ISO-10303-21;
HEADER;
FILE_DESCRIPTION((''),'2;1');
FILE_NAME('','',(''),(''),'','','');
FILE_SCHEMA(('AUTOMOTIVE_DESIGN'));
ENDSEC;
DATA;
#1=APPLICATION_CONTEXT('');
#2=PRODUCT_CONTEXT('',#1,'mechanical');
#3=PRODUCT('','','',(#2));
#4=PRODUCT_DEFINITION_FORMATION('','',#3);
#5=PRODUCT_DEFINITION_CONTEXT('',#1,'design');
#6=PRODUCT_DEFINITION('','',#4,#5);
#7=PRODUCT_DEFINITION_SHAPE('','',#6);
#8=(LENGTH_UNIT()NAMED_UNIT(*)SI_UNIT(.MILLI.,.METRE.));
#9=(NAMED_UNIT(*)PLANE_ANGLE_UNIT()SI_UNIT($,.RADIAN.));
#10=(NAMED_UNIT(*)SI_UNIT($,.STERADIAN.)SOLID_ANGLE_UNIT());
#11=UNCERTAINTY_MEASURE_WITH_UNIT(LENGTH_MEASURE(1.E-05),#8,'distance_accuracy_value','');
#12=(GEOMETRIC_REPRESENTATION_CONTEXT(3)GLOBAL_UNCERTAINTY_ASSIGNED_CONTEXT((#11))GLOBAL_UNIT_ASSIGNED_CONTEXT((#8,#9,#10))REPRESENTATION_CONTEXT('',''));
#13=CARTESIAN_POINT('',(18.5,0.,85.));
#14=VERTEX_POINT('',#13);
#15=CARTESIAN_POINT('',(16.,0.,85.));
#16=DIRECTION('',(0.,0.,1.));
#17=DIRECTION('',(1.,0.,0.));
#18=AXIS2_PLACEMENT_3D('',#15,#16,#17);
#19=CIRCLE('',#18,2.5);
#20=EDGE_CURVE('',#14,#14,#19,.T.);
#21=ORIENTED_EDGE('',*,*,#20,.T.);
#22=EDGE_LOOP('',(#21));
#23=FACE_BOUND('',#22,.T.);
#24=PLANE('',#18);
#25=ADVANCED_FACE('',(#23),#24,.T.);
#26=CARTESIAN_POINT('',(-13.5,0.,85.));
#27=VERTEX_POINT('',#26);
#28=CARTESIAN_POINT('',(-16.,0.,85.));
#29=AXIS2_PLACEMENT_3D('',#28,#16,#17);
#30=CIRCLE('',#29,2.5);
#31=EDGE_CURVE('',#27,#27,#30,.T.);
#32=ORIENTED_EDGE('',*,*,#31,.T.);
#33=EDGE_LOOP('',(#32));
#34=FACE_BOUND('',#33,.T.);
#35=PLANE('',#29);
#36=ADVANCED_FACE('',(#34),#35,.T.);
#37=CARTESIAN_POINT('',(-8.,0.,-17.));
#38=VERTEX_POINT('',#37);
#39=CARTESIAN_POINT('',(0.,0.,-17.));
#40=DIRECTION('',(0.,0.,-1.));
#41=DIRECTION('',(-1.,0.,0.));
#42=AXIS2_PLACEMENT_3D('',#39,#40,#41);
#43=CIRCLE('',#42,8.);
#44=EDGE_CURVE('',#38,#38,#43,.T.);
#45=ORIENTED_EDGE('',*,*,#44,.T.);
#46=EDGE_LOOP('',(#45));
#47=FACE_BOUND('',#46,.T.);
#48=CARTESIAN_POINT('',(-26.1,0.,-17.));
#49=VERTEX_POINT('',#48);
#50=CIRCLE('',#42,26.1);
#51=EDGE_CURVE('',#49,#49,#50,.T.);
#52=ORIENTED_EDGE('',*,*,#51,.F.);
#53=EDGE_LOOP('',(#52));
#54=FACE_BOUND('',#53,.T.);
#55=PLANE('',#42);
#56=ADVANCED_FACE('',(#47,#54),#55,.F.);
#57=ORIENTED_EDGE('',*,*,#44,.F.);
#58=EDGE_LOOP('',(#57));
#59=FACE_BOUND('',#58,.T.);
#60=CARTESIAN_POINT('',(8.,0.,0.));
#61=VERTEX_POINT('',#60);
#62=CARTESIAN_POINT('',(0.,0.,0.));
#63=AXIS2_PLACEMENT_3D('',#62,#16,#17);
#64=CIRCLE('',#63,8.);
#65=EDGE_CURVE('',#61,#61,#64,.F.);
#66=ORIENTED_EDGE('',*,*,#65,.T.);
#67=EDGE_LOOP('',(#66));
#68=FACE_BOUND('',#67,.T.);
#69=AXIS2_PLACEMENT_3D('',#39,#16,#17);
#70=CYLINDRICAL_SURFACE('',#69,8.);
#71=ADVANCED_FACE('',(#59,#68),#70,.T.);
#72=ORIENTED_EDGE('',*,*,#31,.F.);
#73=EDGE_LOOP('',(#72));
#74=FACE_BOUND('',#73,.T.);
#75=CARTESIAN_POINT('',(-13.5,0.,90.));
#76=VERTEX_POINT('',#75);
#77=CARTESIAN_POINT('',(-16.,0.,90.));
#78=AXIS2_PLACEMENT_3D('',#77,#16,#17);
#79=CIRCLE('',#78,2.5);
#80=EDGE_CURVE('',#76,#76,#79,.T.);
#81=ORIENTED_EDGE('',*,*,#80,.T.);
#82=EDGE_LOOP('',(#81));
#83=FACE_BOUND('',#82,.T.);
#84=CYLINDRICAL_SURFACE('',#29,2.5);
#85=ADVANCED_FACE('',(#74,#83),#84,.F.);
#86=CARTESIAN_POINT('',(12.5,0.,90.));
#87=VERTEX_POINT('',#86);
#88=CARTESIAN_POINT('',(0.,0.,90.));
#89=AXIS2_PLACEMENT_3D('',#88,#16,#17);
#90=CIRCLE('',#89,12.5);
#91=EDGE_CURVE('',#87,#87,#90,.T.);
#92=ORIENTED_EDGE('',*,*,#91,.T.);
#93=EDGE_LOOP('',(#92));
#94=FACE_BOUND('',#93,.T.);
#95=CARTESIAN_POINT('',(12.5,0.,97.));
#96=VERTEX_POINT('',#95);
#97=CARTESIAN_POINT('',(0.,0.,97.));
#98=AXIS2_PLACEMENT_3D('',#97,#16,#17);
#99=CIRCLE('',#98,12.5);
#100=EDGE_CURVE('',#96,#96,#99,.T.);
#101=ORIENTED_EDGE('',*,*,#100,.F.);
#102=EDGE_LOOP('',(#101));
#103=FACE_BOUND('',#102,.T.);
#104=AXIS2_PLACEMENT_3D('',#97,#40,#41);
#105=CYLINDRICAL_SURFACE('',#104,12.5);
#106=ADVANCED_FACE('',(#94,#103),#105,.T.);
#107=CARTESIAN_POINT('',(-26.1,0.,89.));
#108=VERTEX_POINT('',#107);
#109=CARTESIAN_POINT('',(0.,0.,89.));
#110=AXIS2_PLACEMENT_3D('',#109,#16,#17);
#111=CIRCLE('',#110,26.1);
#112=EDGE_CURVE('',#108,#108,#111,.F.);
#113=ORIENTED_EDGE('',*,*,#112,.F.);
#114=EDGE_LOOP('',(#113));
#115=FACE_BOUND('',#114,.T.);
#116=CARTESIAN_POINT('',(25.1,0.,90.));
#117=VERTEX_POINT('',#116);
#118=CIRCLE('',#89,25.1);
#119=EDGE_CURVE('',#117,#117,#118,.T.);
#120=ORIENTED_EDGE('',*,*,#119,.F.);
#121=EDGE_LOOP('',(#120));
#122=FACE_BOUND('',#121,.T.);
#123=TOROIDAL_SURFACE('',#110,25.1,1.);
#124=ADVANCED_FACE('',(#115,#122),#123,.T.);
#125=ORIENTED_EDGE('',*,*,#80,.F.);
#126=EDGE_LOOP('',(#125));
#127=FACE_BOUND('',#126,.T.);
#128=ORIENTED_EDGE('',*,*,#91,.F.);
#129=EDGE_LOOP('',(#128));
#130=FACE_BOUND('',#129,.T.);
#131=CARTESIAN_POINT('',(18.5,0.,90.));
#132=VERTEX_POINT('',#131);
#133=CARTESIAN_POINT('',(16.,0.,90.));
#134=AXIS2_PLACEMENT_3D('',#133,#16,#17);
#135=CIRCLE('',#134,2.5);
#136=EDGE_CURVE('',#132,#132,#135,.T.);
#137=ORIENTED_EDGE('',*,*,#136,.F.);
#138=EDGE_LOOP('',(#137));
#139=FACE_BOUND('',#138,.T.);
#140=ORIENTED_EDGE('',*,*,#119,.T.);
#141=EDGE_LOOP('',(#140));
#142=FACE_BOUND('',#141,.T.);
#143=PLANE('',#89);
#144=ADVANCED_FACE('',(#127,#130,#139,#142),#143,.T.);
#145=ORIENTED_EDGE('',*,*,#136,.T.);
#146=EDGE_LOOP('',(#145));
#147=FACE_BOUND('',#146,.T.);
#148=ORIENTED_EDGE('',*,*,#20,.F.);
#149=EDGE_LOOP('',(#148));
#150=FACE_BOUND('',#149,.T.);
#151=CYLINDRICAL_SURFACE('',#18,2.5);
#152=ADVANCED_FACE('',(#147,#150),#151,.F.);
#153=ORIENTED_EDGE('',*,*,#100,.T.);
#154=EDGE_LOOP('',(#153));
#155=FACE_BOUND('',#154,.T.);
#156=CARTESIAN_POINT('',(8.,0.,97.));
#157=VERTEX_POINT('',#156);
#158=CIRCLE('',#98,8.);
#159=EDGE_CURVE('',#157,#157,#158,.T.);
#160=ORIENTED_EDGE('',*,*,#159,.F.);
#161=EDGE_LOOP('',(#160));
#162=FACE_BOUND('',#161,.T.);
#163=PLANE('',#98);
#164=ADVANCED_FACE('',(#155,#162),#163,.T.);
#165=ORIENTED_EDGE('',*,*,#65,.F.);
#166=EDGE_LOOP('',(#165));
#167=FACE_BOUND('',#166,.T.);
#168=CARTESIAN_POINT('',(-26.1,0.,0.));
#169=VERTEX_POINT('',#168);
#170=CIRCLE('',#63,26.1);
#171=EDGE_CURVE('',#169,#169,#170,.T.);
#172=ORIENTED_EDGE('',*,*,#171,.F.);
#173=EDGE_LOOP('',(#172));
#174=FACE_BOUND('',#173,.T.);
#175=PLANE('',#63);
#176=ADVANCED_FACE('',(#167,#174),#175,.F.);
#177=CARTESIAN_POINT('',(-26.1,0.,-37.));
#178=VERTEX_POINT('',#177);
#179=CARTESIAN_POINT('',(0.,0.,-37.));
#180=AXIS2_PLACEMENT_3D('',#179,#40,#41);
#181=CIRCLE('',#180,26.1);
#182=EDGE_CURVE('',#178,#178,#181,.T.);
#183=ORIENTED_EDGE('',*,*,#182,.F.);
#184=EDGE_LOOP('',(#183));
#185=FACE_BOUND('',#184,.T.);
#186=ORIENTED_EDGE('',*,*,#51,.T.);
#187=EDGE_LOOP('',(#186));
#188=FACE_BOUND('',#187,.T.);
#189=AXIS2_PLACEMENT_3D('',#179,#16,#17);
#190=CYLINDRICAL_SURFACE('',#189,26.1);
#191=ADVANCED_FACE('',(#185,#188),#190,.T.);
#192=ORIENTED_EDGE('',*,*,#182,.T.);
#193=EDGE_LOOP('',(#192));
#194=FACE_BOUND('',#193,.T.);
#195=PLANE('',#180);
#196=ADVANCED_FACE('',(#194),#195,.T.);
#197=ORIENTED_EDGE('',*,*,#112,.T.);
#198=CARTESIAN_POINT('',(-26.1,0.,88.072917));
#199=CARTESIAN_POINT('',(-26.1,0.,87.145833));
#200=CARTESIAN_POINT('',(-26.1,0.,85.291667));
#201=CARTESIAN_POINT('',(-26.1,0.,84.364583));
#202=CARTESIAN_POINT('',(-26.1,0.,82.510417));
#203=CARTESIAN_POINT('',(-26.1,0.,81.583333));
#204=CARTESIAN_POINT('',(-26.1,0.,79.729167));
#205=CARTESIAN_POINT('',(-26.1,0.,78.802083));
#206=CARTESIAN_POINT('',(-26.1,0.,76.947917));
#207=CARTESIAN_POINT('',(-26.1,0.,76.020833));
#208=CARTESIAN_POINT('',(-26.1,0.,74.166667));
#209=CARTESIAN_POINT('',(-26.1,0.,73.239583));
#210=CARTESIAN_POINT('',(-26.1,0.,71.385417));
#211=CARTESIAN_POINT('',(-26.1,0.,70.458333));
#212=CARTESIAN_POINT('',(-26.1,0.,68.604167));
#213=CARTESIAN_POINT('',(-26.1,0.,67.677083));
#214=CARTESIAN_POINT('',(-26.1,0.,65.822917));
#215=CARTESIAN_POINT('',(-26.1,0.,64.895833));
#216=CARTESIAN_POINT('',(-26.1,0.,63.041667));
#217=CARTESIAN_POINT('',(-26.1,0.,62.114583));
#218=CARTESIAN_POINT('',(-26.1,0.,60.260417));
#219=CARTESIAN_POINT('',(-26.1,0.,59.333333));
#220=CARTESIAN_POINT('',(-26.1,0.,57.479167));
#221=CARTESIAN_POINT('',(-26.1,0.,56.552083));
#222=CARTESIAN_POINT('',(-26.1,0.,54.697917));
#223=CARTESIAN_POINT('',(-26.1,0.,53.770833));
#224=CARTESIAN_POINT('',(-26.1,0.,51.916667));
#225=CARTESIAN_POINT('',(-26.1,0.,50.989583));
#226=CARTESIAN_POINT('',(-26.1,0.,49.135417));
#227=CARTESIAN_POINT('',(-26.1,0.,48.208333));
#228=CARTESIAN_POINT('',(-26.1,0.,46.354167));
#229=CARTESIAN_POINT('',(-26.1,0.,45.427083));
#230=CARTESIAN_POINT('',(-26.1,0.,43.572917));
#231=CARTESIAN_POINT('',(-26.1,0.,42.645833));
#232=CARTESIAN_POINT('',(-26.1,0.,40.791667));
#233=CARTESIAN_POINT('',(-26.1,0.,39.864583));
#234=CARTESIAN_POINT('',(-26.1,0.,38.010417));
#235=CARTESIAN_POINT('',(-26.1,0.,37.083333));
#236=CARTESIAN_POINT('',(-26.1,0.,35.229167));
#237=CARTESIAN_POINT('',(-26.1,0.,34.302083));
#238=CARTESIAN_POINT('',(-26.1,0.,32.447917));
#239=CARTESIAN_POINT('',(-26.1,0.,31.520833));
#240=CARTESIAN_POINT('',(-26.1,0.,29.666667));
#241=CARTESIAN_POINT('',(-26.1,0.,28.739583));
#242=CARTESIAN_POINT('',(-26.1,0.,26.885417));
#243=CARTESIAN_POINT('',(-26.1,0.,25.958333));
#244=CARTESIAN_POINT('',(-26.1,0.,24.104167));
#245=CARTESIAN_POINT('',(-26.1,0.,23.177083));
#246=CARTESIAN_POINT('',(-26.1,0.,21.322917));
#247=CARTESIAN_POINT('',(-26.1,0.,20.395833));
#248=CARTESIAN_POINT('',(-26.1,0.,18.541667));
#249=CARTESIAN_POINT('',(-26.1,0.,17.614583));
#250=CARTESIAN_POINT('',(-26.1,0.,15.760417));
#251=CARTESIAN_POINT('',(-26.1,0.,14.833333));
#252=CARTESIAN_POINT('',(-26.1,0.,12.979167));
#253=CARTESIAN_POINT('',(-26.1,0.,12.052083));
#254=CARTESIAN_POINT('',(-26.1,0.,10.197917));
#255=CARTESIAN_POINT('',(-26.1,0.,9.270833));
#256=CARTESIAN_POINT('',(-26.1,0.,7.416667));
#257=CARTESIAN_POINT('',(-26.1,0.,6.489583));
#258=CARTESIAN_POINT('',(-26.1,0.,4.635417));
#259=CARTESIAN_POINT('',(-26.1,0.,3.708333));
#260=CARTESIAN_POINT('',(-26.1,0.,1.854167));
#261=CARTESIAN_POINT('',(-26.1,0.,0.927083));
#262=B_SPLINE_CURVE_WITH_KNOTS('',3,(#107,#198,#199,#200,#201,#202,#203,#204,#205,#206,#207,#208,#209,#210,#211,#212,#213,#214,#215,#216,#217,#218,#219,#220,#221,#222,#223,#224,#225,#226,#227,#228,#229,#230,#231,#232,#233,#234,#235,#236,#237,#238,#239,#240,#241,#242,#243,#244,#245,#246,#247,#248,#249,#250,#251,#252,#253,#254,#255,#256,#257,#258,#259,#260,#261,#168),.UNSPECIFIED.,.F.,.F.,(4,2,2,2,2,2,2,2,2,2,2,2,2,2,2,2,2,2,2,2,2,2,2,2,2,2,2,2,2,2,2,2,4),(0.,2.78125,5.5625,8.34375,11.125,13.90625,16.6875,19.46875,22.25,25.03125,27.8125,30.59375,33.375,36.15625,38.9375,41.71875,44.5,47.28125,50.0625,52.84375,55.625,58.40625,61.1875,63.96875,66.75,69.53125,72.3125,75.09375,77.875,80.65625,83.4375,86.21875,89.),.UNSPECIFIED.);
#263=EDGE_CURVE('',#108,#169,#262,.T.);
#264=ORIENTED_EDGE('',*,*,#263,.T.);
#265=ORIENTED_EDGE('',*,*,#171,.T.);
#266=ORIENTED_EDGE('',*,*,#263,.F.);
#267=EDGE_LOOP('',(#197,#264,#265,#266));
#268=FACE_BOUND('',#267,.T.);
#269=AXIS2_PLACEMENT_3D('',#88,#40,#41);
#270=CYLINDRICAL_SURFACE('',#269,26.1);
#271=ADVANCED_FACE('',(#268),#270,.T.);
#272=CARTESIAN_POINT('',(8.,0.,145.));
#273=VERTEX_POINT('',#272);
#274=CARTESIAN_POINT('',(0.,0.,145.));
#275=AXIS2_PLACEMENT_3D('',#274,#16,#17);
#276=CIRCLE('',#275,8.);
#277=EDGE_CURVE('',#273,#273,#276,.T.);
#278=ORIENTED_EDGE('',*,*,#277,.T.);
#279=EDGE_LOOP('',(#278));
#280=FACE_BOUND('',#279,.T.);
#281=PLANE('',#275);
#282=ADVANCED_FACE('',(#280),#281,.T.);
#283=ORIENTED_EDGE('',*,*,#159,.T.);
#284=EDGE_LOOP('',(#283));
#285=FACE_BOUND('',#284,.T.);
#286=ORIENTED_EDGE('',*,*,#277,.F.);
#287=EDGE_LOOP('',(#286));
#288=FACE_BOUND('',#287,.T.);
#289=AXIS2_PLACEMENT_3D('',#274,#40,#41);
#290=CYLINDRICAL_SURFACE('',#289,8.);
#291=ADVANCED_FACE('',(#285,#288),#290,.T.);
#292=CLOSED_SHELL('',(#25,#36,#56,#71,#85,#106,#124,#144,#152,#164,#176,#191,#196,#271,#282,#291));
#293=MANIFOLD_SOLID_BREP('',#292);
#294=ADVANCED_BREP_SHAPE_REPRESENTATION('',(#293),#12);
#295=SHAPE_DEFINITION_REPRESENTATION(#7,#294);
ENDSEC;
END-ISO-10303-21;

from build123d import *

# Parameters (mm, degrees)
SKETCH_1_R          = 26.1
EXTRUDE_1_DEPTH     = 90
FILLET_1_R          = 1
SKETCH_2_R          = 12.5
EXTRUDE_2_DEPTH     = 7
SKETCH_3_R          = 8
EXTRUDE_3_DEPTH     = 48
SKETCH_4_R          = 2.5
CUT_EXTRUDE_1_DEPTH = 5
SKETCH_1_2_R        = 26.1
EXTRUDE_4_DEPTH     = 10
EXTRUDE_START       = 17
SKETCH_6_R          = 8
EXTRUDE_5_DEPTH     = 17
EXTRUDE_START_2     = 20
SKETCH_7_R          = 26.1
EXTRUDE_6_DEPTH     = 20


with BuildPart() as part:
    # 草图1 → 凸台-拉伸1 (new body)
    with BuildSketch(Plane.XY):
        Circle(SKETCH_1_R)
    extrude(amount=EXTRUDE_1_DEPTH)

    # 圆角1
    fillet_1_edges = [part.edges().sort_by_distance(p)[0] for p in [
        (-26.1, 0, 90),
    ]]
    fillet(fillet_1_edges, radius=FILLET_1_R)

    # 草图2 → 凸台-拉伸2 (add)
    with BuildSketch(Plane.XY.offset(90)):
        Circle(SKETCH_2_R)
    extrude(amount=EXTRUDE_2_DEPTH)

    # 草图3 → 凸台-拉伸3 (add)
    with BuildSketch(Plane.XY.offset(97)):
        Circle(SKETCH_3_R)
    extrude(amount=EXTRUDE_3_DEPTH)

    # 草图4 → 切除-拉伸1 (cut)
    with BuildSketch(Plane.XY.offset(90)):
        with Locations((-16, 0)):
            Circle(SKETCH_4_R)
        with Locations((16, 0)):
            Circle(SKETCH_4_R)
    extrude(amount=-CUT_EXTRUDE_1_DEPTH, mode=Mode.SUBTRACT)

    # 草图1<2> → 凸台-拉伸4 (add)
    with BuildSketch(Plane.XY):
        Circle(SKETCH_1_2_R)
    extrude(amount=EXTRUDE_4_DEPTH)

    # 草图6 → 凸台-拉伸5 (add)
    with BuildSketch(Plane(origin=(0, 0, 0), x_dir=(-1, 0, 0), z_dir=(0, 0, -1)).offset(EXTRUDE_START)):
        Circle(SKETCH_6_R)
    extrude(amount=-EXTRUDE_5_DEPTH)

    # 草图7 → 凸台-拉伸6 (add)
    with BuildSketch(Plane(origin=(0, 0, -17), x_dir=(-1, 0, 0), z_dir=(0, 0, -1)).offset(EXTRUDE_START_2)):
        Circle(SKETCH_7_R)
    extrude(amount=-EXTRUDE_6_DEPTH)


solid = part.part
